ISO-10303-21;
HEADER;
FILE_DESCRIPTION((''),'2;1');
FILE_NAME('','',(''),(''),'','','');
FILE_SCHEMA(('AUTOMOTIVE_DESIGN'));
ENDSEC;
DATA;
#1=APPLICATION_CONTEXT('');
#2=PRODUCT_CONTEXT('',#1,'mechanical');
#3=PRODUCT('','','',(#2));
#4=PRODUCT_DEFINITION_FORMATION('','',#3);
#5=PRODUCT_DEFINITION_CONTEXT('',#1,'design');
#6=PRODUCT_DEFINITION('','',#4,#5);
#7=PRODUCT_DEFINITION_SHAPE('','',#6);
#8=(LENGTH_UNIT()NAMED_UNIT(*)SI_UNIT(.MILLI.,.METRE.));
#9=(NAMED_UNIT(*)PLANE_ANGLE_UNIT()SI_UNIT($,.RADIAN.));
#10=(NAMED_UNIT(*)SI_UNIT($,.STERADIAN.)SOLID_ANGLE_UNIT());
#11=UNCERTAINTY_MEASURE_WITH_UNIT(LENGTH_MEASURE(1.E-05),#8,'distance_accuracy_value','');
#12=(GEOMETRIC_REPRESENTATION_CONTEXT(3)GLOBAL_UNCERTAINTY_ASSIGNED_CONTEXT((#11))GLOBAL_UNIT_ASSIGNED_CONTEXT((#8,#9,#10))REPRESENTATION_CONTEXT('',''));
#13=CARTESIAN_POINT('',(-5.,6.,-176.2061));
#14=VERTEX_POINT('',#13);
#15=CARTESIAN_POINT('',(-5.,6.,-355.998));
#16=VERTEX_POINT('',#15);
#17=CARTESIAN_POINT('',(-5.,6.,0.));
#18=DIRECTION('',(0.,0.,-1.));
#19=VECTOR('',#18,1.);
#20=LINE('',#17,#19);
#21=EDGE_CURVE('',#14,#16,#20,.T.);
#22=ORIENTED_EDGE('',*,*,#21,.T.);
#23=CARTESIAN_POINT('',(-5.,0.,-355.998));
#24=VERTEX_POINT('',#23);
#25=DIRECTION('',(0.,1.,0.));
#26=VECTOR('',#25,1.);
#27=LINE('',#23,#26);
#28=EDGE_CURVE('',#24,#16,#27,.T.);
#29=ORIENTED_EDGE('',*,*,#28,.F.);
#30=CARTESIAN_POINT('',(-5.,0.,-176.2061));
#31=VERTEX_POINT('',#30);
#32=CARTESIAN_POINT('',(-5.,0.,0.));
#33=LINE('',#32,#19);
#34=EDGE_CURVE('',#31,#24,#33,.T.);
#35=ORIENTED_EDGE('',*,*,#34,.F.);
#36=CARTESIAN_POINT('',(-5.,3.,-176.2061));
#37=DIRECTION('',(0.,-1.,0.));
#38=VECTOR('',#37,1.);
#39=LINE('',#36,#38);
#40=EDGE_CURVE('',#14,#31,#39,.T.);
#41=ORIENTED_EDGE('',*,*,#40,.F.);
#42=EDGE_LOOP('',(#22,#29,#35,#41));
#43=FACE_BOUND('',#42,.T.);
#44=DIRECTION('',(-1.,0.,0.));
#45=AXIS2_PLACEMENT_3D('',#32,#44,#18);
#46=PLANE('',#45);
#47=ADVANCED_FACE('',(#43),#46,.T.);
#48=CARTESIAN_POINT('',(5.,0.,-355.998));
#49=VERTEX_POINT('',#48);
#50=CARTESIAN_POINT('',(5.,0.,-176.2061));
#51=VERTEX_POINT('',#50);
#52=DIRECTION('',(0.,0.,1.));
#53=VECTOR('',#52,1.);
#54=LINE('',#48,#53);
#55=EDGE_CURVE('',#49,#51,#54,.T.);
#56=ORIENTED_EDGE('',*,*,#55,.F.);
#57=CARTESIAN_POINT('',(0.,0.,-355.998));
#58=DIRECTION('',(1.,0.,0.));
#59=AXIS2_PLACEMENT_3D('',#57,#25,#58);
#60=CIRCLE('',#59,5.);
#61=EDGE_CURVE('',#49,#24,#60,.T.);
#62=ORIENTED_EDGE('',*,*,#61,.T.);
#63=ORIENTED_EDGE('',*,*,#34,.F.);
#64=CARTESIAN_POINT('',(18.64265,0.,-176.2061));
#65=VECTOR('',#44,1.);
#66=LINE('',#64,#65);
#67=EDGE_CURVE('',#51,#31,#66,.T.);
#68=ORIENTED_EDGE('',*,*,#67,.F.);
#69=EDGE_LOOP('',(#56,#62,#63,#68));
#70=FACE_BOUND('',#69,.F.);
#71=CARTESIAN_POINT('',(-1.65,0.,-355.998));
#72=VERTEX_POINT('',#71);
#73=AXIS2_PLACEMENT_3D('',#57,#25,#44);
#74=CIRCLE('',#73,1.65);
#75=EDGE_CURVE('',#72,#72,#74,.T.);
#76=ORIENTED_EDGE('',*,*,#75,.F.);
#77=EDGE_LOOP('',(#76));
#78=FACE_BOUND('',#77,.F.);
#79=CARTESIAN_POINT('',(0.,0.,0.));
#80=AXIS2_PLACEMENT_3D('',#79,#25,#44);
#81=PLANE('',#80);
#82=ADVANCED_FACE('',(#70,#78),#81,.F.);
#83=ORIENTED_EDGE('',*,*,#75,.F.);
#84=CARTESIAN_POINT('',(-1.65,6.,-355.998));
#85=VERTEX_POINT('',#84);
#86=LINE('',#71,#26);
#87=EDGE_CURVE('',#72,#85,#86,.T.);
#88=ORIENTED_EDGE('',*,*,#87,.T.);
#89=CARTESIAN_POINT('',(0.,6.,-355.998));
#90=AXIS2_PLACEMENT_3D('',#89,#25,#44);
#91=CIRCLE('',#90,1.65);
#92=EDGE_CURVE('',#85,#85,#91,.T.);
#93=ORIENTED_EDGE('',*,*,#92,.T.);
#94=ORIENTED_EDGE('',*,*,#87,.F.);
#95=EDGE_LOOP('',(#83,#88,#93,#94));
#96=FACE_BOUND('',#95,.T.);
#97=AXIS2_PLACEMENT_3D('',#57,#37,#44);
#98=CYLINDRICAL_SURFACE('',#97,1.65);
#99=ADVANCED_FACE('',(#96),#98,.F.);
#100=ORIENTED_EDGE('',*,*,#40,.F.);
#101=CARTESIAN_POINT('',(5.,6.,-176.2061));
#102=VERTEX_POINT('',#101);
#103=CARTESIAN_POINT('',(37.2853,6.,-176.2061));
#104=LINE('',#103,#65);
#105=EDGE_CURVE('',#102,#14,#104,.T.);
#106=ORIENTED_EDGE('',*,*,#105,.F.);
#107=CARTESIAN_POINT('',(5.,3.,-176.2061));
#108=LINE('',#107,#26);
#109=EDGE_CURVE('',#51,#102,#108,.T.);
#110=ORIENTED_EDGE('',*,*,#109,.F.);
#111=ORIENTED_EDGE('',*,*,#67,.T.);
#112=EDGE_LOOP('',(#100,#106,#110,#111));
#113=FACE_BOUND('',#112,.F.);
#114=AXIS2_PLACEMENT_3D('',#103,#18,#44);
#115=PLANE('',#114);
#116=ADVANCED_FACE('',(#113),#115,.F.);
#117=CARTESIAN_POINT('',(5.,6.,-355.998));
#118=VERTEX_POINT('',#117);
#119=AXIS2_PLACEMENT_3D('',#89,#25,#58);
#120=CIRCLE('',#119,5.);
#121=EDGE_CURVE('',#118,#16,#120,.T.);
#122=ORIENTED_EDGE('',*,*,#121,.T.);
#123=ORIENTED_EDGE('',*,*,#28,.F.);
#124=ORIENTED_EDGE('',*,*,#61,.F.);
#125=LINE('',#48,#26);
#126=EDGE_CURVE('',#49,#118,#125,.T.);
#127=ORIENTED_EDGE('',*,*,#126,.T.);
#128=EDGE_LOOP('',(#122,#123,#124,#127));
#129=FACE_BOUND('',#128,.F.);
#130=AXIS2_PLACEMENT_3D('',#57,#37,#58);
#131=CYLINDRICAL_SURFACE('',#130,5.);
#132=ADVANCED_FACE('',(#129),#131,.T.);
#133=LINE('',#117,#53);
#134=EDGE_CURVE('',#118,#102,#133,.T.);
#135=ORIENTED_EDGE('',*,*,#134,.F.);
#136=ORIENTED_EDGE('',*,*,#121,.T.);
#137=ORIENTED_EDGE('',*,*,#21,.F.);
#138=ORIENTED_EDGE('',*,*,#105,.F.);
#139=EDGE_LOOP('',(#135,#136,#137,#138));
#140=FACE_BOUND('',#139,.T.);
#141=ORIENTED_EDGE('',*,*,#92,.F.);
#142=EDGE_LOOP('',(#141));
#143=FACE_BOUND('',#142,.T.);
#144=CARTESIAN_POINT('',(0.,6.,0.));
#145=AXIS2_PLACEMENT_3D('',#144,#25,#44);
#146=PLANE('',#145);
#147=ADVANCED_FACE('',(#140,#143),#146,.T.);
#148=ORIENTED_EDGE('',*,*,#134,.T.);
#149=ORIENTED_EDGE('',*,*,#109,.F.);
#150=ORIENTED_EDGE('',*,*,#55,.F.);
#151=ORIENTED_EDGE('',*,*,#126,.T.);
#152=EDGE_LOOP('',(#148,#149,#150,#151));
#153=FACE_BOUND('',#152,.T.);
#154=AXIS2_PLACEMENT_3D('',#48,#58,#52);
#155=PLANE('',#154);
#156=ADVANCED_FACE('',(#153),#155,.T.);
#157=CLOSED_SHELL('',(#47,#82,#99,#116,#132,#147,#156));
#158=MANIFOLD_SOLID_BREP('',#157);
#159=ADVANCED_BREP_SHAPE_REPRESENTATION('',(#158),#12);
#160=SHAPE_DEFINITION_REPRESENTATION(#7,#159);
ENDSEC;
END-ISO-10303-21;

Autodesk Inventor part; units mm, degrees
ref_plane "YZ Plane" through (0, 0, 0) normal (1, 0, 0) x (0, 1, 0)
ref_plane "XZ Plane" through (0, 0, 0) normal (0, 1, 0) x (-1, 0, 0)
ref_plane "XY Plane" through (0, 0, 0) normal (0, 0, 1) x (1, 0, 0)
sketch "Sketch1" plane through (0, 0, 0) normal (0, 1, 0) x (-1, 0, 0)
  line L0 (0, 0) -> (0, -355.998) construction
  line L1 (5, 0) -> (5, -355.998)
  line L2 (-5, -355.998) -> (-5, 0)
  arc A0 (5, 0) -> (-5, 0) centre (0, 0) ccw
  arc A1 (-5, -355.998) -> (5, -355.998) centre (0, -355.998) ccw
  circle A2 centre (0, 0) radius 1.65
  circle A3 centre (0, -355.998) radius 1.65
  circle A4 centre (0, -57.376) radius 1.65
  point P0 (0, -177.999)
  dimension "d0" = 3.3
  dimension "d1" = 3.3
  dimension "d2" = 10
  dimension "d3" = 355.998
  dimension "d14" = 3.3
  dimension "d15" = 57.376
extrude "Extrusion1" add sketch "Sketch1" along normal blind 6
sketch "Sketch2" plane through (0, 6, 0) normal (0, 1, 0) x (1, 0, 0)
  line L0 (-26.2185, 378.6248) -> (37.2853, 378.6248)
  line L1 (37.2853, 378.6248) -> (37.2853, 176.2061)
  line L2 (37.2853, 176.2061) -> (-26.2185, 176.2061)
  line L3 (-26.2185, 176.2061) -> (-26.2185, 378.6248)
  line L4 (-95.1798, 405.4155) -> (74.9908, 405.4155)
  line L5 (74.9908, 405.4155) -> (74.9908, -44.073)
  line L6 (74.9908, -44.073) -> (-95.1798, -44.073)
  line L7 (-95.1798, -44.073) -> (-95.1798, 405.4155)
  point P0 (0, 0)
extrude "Extrusion2" cut sketch "Sketch2" against normal blind 10
properties part number "Part_10_p2"
